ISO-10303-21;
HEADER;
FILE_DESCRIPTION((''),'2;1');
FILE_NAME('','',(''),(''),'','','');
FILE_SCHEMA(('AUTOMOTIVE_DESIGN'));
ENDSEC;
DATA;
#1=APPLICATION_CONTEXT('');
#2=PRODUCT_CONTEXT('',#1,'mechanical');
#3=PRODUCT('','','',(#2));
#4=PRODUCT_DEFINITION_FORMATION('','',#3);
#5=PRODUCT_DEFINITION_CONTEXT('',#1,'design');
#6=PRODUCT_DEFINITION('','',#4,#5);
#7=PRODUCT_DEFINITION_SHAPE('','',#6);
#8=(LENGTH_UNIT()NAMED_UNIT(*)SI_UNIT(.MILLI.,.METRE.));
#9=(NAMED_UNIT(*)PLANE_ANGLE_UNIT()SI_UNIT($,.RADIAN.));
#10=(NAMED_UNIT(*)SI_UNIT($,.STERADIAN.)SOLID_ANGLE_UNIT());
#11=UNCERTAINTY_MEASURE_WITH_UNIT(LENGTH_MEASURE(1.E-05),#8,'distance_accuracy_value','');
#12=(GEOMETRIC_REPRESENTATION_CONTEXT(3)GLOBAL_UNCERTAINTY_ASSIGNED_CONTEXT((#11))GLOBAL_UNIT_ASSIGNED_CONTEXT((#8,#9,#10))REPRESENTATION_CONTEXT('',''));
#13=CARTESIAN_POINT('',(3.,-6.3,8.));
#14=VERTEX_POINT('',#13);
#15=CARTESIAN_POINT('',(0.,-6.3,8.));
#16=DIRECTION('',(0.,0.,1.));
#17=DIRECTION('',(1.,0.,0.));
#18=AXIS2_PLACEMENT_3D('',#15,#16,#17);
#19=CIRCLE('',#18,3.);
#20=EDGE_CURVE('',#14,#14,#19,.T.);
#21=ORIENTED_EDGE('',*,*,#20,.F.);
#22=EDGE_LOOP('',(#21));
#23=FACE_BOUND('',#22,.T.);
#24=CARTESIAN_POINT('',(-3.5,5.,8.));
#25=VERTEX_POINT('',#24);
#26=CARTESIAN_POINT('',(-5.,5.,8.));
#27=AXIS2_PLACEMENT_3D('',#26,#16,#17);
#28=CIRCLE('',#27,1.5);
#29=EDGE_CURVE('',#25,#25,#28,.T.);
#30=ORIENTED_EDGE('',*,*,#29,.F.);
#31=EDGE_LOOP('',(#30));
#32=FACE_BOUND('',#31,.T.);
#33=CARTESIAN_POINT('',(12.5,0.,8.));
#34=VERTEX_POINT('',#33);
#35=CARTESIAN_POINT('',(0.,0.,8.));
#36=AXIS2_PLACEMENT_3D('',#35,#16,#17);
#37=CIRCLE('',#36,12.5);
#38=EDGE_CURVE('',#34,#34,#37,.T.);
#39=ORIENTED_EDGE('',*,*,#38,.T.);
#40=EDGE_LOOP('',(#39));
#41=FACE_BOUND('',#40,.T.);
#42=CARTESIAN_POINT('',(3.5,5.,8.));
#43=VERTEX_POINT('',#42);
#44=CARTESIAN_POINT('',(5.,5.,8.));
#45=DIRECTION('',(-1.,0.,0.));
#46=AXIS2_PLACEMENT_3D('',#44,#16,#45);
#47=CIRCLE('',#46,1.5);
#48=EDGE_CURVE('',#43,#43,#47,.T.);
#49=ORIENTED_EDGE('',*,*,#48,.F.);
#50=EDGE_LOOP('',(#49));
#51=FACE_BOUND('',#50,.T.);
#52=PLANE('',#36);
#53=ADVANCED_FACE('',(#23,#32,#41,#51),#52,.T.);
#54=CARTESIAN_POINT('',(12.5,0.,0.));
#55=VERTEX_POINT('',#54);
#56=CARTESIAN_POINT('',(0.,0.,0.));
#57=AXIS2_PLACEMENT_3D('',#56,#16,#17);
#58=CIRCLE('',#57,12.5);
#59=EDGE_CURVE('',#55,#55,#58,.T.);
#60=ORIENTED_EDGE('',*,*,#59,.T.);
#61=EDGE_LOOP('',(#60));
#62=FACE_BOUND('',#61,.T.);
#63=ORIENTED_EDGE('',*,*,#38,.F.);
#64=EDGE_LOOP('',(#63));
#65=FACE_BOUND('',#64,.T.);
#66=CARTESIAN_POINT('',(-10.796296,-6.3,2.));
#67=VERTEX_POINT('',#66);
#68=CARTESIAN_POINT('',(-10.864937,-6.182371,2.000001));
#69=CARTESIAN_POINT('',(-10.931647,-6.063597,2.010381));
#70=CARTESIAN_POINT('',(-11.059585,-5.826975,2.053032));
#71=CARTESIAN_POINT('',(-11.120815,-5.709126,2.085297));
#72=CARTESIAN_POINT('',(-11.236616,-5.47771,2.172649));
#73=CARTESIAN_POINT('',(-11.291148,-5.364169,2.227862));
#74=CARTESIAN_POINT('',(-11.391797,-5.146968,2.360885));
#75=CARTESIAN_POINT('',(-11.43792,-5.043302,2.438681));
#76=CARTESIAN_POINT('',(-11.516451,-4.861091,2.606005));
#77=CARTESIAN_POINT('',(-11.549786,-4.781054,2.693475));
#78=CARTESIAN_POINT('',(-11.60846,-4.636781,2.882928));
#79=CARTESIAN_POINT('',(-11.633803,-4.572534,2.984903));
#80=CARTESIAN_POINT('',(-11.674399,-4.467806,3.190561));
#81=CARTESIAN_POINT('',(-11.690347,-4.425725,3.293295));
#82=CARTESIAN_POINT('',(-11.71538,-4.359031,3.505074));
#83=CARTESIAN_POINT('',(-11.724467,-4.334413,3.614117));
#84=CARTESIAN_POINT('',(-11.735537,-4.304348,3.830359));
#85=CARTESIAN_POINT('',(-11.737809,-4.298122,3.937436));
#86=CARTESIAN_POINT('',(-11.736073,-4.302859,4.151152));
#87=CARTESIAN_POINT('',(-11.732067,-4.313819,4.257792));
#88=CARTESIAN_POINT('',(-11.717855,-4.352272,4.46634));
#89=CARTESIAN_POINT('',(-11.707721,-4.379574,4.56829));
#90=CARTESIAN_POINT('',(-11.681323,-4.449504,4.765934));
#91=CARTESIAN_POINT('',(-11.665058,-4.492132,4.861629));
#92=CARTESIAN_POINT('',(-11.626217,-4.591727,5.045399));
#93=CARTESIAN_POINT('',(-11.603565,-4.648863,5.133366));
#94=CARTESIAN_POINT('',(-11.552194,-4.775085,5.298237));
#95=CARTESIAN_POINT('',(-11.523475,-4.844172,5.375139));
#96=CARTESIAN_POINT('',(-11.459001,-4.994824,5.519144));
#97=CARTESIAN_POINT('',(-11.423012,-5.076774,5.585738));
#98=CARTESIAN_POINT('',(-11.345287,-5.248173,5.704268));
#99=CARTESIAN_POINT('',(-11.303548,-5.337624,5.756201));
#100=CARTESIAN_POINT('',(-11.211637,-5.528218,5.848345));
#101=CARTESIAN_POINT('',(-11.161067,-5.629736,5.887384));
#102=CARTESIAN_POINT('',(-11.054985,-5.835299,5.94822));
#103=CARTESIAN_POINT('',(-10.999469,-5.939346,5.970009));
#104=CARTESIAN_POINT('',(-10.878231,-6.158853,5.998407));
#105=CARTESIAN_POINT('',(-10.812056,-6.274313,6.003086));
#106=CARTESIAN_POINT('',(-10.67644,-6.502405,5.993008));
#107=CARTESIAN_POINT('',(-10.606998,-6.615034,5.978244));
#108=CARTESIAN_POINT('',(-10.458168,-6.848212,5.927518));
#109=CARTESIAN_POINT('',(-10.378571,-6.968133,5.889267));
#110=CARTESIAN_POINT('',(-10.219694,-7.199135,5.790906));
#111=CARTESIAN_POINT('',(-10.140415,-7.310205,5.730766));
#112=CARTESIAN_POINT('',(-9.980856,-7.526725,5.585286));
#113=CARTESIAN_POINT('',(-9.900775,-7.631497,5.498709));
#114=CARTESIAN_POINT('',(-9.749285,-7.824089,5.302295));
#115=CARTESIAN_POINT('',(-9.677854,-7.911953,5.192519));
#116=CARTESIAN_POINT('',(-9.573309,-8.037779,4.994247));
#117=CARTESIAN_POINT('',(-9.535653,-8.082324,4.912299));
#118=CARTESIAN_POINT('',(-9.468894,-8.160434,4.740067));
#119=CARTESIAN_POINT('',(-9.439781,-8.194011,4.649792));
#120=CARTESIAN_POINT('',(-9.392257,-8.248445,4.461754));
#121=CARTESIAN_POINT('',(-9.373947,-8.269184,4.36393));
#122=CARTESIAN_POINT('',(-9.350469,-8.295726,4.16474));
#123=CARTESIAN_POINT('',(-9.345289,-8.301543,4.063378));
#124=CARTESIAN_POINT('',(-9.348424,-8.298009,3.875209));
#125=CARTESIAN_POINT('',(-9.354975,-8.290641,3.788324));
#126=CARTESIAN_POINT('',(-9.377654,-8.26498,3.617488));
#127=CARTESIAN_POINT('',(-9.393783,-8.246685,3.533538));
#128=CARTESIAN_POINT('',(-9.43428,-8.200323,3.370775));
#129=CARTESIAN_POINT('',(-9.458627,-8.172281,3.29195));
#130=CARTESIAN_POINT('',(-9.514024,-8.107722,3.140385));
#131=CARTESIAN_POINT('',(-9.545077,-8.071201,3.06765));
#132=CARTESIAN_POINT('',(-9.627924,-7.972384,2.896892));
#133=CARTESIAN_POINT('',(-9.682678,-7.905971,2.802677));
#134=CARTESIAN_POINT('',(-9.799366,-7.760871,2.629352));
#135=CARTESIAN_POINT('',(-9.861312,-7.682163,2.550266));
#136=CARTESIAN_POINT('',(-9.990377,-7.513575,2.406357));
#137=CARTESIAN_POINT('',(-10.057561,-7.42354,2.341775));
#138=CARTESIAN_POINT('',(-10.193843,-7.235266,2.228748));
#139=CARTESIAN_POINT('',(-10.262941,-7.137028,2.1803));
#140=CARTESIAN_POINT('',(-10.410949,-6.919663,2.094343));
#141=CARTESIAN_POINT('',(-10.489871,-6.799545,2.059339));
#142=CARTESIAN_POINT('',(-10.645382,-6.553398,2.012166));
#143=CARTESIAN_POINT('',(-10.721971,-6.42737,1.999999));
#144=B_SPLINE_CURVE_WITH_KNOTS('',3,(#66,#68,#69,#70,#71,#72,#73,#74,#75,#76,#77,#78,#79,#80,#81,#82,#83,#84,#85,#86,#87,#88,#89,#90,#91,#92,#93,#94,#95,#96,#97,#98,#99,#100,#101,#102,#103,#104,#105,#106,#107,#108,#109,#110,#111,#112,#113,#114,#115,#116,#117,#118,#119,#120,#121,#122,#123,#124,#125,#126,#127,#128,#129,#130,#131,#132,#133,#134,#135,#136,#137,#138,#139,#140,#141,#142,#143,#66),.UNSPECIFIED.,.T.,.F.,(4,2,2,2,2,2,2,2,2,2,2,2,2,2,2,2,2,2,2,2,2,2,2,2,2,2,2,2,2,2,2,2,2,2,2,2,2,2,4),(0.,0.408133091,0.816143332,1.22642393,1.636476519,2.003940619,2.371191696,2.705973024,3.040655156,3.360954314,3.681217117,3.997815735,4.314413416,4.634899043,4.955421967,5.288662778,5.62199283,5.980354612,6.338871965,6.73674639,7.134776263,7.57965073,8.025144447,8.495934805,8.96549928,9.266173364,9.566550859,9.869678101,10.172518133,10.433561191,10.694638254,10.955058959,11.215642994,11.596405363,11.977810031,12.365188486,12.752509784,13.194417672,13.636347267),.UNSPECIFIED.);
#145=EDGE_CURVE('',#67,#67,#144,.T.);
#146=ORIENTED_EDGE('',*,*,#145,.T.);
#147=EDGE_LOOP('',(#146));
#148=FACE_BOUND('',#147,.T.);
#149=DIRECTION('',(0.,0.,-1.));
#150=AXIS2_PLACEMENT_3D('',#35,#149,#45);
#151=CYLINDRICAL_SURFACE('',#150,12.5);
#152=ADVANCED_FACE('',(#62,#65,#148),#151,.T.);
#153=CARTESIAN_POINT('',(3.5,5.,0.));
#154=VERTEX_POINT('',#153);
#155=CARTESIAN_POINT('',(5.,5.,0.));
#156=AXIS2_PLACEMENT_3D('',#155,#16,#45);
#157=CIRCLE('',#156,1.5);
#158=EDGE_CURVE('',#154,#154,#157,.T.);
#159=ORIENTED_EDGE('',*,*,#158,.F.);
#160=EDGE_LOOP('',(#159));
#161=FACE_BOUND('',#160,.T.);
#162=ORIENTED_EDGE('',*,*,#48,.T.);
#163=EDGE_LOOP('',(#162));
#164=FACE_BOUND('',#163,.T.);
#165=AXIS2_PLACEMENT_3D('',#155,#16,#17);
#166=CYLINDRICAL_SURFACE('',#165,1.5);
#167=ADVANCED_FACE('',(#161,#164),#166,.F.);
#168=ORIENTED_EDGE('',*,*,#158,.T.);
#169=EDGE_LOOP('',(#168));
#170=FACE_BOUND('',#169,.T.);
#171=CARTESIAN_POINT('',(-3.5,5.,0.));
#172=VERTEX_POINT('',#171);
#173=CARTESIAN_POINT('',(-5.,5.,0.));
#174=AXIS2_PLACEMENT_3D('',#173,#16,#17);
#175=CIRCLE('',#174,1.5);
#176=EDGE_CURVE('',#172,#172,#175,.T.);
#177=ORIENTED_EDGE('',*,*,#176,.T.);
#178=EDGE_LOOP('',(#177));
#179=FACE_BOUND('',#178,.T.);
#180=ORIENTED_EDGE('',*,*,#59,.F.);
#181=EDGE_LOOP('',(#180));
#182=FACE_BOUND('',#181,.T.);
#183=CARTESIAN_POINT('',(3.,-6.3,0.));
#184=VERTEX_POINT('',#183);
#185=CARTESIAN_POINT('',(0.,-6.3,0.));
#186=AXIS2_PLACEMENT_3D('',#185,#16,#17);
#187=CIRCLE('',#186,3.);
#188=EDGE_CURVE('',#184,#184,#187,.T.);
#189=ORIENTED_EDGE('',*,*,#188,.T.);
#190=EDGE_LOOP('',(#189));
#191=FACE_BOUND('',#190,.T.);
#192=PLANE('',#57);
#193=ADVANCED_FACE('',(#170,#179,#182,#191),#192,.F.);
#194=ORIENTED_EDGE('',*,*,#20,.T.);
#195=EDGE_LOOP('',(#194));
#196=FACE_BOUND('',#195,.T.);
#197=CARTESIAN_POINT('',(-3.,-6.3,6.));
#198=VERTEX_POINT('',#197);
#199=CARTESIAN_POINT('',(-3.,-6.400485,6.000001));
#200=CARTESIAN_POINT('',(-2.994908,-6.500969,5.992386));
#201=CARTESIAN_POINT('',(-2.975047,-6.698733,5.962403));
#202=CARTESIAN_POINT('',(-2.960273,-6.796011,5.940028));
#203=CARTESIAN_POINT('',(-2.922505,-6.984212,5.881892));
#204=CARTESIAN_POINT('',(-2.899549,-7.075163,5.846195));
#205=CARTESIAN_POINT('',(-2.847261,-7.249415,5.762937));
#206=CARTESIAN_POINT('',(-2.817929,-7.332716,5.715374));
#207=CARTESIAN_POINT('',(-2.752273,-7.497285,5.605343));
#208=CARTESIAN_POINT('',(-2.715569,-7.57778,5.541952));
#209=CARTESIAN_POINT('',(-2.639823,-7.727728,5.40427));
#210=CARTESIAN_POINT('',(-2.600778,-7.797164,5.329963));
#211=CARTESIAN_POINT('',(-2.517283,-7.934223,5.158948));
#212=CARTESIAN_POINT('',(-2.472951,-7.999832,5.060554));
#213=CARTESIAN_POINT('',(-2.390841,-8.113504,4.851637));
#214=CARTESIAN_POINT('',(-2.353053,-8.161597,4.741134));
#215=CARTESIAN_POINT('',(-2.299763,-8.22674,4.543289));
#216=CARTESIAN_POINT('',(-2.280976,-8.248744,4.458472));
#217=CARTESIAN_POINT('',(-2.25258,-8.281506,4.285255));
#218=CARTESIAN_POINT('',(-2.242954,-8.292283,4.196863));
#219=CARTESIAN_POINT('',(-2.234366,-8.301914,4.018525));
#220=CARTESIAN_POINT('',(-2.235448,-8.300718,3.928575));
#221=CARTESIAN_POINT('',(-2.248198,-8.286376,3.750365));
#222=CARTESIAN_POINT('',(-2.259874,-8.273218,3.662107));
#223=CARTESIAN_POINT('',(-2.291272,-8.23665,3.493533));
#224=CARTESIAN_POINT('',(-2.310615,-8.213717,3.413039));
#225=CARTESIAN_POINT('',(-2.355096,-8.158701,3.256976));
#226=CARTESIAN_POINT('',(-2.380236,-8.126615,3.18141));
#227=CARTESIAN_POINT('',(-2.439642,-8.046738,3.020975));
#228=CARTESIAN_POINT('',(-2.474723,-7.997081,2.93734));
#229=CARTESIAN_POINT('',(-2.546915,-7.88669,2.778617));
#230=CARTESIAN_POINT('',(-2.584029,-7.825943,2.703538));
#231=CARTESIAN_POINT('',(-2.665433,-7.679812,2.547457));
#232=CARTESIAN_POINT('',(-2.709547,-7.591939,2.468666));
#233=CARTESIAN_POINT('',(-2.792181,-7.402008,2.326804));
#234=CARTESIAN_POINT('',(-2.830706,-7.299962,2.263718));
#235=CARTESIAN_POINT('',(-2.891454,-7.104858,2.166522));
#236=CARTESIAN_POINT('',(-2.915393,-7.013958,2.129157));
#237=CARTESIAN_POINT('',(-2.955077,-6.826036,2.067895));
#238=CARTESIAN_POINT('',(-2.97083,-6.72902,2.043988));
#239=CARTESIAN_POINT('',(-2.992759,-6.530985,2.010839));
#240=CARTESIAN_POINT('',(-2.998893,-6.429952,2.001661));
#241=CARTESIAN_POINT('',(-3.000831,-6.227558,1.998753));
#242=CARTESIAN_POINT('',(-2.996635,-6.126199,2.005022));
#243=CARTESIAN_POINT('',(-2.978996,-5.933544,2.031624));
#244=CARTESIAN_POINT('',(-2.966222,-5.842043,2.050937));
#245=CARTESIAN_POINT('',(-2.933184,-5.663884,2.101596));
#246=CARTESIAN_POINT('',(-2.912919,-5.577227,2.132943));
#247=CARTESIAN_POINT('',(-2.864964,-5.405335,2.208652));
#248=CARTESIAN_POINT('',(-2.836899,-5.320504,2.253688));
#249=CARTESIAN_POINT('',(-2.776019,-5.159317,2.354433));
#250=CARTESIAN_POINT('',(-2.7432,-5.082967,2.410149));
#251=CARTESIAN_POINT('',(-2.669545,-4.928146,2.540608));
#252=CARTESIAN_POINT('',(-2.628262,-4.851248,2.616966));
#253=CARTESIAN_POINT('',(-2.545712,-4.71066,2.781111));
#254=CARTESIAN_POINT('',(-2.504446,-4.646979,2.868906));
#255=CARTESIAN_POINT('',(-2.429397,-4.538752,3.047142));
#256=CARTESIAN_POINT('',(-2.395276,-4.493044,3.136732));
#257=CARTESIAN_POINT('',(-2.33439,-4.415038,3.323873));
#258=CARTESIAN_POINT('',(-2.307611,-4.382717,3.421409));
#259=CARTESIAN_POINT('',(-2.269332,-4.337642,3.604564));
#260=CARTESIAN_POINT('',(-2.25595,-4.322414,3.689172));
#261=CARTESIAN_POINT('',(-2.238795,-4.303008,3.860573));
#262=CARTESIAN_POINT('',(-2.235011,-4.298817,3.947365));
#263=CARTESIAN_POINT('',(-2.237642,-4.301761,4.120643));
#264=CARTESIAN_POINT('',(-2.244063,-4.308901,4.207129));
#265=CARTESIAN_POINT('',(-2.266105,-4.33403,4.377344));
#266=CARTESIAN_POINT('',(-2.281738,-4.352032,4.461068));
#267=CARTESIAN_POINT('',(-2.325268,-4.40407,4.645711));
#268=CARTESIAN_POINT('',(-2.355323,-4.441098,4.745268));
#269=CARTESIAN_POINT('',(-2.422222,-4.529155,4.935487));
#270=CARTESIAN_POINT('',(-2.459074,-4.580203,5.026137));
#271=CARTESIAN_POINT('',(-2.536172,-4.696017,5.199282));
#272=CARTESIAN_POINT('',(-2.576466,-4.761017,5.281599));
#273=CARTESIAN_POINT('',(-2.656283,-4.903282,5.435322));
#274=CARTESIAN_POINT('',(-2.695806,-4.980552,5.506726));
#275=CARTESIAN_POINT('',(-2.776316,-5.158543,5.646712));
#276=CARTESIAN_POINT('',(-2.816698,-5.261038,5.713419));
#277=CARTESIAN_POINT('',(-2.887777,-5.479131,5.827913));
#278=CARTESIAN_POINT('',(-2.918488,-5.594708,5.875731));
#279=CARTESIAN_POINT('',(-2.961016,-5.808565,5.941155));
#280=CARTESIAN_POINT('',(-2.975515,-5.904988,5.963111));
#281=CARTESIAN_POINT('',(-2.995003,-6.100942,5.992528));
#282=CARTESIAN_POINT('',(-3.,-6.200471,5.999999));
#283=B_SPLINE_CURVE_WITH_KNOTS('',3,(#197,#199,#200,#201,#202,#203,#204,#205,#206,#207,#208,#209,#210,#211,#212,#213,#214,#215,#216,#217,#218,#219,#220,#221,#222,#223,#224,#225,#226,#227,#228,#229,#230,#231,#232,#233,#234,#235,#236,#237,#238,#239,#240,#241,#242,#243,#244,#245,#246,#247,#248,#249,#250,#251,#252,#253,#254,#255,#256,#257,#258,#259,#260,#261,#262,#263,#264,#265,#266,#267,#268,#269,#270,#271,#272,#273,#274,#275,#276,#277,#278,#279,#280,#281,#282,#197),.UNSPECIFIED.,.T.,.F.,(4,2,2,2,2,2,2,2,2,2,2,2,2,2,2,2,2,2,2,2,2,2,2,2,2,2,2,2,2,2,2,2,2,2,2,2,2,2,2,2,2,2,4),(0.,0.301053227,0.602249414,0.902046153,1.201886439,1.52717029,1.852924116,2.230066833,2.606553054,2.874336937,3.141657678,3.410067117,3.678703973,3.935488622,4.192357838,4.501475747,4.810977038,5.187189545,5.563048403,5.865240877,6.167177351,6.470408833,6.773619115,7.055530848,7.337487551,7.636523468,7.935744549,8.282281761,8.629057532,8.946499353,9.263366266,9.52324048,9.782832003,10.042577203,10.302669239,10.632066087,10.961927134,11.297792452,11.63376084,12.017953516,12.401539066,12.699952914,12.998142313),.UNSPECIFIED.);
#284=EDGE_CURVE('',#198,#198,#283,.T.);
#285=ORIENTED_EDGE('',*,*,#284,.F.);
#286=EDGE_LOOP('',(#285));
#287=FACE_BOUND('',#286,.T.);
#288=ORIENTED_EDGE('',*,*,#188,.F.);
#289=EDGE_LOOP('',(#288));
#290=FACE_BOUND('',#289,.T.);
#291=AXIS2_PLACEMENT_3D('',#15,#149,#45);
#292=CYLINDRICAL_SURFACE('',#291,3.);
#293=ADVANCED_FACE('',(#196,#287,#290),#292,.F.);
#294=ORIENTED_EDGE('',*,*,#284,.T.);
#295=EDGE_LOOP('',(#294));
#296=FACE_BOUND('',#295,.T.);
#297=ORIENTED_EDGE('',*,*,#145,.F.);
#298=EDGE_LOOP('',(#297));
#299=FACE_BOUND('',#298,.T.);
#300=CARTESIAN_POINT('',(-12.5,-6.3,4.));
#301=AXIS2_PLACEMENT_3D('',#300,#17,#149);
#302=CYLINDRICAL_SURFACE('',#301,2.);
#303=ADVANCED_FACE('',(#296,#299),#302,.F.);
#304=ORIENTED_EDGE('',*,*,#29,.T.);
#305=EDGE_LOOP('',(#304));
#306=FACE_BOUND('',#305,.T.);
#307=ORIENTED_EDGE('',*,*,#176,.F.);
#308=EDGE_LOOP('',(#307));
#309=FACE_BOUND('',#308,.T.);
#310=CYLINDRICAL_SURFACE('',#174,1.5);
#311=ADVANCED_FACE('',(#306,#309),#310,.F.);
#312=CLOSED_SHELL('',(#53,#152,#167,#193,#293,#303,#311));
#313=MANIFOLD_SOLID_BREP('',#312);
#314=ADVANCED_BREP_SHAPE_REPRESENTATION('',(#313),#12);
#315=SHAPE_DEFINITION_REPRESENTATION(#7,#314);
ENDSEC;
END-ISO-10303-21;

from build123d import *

# Parameters (mm, degrees)
SKETCH_1_R          = 12.5
SKETCH_1_R_2        = 3
EXTRUDE_1_DEPTH     = 8
SKETCH_2_R          = 2
CUT_EXTRUDE_1_DEPTH = 13.5
SKETCH_3_R          = 1.5
CUT_EXTRUDE_2_DEPTH = 9.0000001


with BuildPart() as part:
    # 草图1 → 凸台-拉伸1 (new body)
    with BuildSketch(Plane.XY):
        Circle(SKETCH_1_R)
        with Locations((0, -6.3)):
            Circle(SKETCH_1_R_2, mode=Mode.SUBTRACT)
    extrude(amount=EXTRUDE_1_DEPTH)

    # 草图2 → 切除-拉伸1 (cut, through all)
    with BuildSketch(Plane(origin=(0, 0, 0), x_dir=(0, 0, -1), z_dir=(1, 0, 0))):
        with Locations((-4, -6.3)):
            Circle(SKETCH_2_R)
    extrude(amount=-CUT_EXTRUDE_1_DEPTH, mode=Mode.SUBTRACT)

    # 草图3 → 切除-拉伸2 (cut, through all)
    with BuildSketch(Plane.XY.offset(8)):
        with Locations((-5, 5)):
            Circle(SKETCH_3_R)
        with Locations((5, 5)):
            Circle(SKETCH_3_R)
    extrude(amount=-CUT_EXTRUDE_2_DEPTH, mode=Mode.SUBTRACT)


solid = part.part
